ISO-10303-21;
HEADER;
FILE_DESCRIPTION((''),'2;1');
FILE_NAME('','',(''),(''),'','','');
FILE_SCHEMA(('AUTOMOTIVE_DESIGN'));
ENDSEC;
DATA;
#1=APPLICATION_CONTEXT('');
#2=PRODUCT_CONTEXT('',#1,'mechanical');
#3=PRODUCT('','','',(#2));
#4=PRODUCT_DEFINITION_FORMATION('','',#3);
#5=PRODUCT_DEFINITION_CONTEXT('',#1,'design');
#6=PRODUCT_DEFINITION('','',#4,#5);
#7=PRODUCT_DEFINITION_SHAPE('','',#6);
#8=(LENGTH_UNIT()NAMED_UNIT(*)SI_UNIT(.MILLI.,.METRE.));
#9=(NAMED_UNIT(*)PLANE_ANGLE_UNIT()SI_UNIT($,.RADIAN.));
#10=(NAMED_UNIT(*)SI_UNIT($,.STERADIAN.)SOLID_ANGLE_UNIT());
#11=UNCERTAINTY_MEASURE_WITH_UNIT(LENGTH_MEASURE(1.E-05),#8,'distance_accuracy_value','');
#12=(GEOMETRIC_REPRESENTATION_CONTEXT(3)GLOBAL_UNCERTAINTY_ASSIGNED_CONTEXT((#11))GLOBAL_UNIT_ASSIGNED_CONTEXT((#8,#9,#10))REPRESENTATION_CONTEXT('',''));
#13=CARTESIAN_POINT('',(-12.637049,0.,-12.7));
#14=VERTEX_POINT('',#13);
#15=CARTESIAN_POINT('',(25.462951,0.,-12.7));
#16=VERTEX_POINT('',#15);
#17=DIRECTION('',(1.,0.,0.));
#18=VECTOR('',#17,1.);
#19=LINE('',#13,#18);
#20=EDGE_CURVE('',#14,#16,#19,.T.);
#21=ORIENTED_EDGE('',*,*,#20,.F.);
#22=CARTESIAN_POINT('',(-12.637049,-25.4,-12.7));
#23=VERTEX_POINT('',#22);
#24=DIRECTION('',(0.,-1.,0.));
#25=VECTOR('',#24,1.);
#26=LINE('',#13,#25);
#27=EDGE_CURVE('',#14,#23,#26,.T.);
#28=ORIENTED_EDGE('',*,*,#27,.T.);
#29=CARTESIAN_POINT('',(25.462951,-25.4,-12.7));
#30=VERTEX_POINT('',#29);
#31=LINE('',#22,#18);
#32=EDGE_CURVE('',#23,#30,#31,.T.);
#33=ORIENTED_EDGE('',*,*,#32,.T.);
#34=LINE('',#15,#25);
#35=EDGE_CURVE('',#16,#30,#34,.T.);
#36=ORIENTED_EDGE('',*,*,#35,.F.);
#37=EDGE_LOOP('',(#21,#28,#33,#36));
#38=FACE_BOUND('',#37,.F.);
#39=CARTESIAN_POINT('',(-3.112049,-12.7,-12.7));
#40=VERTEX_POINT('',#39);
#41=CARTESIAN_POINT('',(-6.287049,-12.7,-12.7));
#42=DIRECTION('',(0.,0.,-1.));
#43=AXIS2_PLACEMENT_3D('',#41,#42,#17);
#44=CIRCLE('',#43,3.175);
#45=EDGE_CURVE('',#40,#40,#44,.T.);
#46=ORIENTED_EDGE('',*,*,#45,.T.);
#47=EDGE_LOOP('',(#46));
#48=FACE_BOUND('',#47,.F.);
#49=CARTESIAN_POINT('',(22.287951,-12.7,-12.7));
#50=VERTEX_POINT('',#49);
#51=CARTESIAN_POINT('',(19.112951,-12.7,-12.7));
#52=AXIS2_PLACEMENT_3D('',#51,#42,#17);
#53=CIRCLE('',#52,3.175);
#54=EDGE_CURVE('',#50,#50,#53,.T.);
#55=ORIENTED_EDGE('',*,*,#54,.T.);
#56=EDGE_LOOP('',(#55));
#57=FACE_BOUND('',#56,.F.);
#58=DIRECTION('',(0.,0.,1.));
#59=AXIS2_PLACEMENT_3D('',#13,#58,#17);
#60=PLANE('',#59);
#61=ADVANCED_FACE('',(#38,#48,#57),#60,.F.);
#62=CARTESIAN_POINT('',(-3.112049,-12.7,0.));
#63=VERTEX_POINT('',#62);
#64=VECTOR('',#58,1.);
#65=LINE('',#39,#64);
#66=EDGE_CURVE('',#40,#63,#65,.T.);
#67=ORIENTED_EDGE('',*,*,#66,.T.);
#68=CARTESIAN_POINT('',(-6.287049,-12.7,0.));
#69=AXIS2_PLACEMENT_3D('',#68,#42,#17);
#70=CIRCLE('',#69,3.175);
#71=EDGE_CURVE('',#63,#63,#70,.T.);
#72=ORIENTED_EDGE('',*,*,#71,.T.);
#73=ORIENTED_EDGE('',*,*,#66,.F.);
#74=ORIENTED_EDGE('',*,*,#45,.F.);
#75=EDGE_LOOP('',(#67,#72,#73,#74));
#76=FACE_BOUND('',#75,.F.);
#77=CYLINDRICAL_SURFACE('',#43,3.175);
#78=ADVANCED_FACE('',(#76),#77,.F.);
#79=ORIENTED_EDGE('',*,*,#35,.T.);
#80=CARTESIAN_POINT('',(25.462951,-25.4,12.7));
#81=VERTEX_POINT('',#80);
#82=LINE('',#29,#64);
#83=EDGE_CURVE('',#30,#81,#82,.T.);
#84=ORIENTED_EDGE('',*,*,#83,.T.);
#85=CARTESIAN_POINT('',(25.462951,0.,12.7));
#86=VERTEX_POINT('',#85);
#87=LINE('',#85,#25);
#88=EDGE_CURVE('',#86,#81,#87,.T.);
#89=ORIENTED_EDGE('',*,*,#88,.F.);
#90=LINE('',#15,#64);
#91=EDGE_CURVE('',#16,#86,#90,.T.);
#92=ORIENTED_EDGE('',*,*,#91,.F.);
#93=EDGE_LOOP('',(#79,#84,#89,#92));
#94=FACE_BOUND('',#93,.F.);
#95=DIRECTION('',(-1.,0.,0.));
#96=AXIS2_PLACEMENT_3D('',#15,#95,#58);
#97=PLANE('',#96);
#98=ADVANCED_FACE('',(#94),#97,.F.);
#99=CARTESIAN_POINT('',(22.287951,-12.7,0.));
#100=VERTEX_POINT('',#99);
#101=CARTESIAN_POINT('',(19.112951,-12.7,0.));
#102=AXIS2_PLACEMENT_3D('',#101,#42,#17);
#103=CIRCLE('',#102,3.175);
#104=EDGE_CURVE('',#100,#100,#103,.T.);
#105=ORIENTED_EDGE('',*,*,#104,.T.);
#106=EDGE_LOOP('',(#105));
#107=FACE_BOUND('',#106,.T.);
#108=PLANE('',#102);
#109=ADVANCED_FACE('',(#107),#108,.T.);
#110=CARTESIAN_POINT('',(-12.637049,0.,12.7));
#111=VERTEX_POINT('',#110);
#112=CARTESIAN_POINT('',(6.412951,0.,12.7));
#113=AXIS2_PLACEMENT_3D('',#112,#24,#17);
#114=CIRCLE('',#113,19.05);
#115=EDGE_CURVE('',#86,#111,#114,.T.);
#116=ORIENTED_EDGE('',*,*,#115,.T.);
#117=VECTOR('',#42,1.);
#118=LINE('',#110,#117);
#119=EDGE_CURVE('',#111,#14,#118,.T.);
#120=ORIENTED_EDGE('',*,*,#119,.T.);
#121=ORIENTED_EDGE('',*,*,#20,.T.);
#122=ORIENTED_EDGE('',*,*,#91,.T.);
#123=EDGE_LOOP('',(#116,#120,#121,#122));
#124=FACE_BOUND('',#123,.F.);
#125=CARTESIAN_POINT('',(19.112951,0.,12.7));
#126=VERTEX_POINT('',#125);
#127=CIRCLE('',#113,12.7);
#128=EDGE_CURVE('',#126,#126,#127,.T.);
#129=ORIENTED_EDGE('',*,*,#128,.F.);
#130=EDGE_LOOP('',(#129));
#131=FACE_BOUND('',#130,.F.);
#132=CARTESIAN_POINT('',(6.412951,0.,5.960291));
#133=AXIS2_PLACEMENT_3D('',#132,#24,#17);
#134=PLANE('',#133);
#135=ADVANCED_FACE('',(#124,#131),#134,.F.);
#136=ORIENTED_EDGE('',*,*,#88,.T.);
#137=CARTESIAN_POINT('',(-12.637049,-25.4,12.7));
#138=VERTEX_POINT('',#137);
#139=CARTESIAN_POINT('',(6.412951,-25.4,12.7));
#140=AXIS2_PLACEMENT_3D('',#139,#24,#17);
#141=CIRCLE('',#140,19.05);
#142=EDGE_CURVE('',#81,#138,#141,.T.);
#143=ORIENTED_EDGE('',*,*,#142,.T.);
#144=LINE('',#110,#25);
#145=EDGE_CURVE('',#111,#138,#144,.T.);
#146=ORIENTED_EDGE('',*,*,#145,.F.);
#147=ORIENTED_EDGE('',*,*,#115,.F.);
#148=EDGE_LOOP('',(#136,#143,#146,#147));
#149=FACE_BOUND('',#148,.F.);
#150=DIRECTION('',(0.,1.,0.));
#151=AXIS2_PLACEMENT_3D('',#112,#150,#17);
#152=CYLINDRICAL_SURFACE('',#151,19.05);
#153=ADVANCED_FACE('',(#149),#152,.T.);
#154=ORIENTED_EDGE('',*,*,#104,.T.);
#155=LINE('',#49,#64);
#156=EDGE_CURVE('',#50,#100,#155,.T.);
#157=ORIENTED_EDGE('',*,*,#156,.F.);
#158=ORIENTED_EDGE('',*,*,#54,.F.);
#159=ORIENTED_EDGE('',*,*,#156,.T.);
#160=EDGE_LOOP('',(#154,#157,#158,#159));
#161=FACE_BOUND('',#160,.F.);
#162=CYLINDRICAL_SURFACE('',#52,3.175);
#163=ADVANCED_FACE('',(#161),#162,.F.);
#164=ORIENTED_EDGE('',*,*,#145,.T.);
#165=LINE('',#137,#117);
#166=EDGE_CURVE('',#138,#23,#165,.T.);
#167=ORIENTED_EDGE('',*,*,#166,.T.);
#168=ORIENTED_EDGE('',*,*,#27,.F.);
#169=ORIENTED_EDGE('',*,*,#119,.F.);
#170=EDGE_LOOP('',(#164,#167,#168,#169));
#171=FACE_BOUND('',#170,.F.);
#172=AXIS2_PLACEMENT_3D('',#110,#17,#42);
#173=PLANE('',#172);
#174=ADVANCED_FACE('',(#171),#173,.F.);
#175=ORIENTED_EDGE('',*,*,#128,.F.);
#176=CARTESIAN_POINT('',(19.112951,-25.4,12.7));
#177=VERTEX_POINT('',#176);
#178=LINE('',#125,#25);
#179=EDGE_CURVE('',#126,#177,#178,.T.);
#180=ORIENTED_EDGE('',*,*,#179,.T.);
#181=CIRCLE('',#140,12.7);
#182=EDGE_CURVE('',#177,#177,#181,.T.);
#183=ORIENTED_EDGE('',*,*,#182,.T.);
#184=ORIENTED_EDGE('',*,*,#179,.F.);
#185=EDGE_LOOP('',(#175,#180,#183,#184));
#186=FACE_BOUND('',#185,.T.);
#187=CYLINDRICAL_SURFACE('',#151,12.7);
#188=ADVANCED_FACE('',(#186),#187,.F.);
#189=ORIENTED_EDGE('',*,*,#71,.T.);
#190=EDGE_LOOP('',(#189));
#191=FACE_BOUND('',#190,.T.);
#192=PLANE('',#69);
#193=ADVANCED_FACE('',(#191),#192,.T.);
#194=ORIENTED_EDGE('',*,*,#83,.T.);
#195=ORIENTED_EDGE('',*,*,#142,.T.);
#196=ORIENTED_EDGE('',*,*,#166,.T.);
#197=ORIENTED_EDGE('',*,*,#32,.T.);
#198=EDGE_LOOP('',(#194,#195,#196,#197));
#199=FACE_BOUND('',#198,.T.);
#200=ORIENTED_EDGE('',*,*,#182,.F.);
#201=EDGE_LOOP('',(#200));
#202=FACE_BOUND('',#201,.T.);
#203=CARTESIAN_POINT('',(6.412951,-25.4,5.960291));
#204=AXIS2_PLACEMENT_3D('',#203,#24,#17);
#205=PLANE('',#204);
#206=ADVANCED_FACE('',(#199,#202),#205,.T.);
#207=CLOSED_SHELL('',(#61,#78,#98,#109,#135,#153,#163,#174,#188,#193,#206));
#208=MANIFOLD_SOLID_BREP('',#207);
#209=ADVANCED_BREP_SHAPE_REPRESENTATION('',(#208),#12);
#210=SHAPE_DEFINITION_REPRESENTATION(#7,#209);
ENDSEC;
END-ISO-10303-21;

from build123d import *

# Parameters (mm, degrees)
F0_R     = 12.7
F1_DEPTH = 25.4
F2_R     = 3.175
F3_DEPTH = 12.7


with BuildPart() as f1:
    # F0 (on Front) → F1 (new body)
    with BuildSketch(Plane.XZ):
        with BuildLine():
            Line((-12.637049, 12.7), (-12.637049, -12.7))
            Line((-12.637049, -12.7), (25.462951, -12.7))
            Line((25.462951, -12.7), (25.462951, 12.7))
            ThreePointArc((25.462951, 12.7), (6.412951, 31.75), (-12.637049, 12.7))
        make_face()
        with Locations((6.412951, 12.7)):
            Circle(F0_R, mode=Mode.SUBTRACT)
    extrude(amount=F1_DEPTH)

    # F2 (on face) → F3 (cut)
    with BuildSketch(Plane(origin=(0, 0, -12.7), x_dir=(1, 0, 0), z_dir=(0, 0, -1))):
        with Locations((-6.287049, 12.7)):
            Circle(F2_R)
        with Locations((19.112951, 12.7)):
            Circle(F2_R)
    extrude(amount=-F3_DEPTH, mode=Mode.SUBTRACT)


solid = f1.part
